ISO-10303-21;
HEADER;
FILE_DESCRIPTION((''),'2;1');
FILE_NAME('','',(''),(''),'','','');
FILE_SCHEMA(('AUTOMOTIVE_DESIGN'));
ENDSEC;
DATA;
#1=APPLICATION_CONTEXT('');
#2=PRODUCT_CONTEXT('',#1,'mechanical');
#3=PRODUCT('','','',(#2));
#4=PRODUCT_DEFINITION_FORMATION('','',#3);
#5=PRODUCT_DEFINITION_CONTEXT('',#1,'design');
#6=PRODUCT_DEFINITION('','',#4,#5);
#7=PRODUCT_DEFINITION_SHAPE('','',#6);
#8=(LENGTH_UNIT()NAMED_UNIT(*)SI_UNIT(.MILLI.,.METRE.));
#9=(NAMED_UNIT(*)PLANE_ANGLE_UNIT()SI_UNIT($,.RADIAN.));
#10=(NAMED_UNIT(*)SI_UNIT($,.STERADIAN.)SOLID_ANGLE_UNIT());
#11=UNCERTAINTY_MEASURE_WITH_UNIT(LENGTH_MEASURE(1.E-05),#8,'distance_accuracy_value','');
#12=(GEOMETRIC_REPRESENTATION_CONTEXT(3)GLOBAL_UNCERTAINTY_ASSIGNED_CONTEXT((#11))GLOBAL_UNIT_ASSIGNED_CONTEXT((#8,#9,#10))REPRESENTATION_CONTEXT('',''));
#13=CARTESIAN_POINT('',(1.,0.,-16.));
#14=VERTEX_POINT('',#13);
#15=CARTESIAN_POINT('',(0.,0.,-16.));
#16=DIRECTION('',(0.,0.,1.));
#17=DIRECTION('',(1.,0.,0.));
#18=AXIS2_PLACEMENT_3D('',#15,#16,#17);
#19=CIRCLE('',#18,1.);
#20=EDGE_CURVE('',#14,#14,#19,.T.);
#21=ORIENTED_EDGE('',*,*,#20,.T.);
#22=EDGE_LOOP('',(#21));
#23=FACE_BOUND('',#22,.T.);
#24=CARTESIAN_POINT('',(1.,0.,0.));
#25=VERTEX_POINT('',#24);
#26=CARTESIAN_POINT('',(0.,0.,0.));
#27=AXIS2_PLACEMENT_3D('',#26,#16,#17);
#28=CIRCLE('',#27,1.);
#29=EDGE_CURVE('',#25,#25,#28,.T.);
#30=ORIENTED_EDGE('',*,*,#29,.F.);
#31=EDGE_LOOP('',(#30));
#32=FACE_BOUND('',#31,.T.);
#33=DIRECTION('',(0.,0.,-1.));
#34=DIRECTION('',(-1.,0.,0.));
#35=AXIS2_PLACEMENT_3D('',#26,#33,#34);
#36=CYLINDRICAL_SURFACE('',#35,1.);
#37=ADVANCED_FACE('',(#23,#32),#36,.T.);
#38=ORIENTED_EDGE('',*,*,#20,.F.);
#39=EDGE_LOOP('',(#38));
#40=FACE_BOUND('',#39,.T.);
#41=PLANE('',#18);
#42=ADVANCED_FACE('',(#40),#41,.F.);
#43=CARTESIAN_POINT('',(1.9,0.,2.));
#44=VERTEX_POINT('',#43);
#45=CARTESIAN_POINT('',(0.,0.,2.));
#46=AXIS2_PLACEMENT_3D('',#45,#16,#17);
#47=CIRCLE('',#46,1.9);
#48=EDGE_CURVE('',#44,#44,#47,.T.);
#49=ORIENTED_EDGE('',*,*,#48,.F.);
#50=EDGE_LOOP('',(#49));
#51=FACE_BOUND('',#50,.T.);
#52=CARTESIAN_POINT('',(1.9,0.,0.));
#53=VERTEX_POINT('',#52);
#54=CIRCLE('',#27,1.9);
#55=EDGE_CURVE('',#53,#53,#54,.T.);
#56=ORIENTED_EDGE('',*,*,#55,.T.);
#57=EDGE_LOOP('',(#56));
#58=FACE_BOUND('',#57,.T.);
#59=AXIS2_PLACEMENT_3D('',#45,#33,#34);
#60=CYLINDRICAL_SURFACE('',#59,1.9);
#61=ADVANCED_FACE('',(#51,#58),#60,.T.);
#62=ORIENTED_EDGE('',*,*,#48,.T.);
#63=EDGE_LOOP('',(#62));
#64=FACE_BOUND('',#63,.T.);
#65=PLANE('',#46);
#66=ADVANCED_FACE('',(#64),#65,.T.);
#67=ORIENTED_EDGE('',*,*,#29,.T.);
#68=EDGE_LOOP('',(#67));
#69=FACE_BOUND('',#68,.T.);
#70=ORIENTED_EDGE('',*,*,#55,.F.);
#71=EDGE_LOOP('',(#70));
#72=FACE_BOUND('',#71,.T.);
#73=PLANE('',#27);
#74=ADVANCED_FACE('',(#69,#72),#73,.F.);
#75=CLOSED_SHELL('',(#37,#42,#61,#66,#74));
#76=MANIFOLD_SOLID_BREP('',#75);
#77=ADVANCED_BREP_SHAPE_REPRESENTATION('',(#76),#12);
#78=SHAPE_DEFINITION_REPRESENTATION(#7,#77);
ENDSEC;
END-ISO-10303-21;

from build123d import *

# Parameters (mm, degrees)
NOMINAL_SHANK_START    = -16
SKETCH_NOMINAL_SHANK_R = 1
NOMINAL_SHANK_DEPTH    = 16
SKETCH_HEAD_R          = 1.9
HEAD_DEPTH             = 2


with BuildPart() as part:
    # Sketch_Nominal_shank → Nominal_shank (new body)
    with BuildSketch(Plane.XY.offset(NOMINAL_SHANK_START)):
        Circle(SKETCH_NOMINAL_SHANK_R)
    extrude(amount=NOMINAL_SHANK_DEPTH)

    # Sketch_Head → Head (add)
    with BuildSketch(Plane.XY):
        Circle(SKETCH_HEAD_R)
    extrude(amount=HEAD_DEPTH)


solid = part.part
